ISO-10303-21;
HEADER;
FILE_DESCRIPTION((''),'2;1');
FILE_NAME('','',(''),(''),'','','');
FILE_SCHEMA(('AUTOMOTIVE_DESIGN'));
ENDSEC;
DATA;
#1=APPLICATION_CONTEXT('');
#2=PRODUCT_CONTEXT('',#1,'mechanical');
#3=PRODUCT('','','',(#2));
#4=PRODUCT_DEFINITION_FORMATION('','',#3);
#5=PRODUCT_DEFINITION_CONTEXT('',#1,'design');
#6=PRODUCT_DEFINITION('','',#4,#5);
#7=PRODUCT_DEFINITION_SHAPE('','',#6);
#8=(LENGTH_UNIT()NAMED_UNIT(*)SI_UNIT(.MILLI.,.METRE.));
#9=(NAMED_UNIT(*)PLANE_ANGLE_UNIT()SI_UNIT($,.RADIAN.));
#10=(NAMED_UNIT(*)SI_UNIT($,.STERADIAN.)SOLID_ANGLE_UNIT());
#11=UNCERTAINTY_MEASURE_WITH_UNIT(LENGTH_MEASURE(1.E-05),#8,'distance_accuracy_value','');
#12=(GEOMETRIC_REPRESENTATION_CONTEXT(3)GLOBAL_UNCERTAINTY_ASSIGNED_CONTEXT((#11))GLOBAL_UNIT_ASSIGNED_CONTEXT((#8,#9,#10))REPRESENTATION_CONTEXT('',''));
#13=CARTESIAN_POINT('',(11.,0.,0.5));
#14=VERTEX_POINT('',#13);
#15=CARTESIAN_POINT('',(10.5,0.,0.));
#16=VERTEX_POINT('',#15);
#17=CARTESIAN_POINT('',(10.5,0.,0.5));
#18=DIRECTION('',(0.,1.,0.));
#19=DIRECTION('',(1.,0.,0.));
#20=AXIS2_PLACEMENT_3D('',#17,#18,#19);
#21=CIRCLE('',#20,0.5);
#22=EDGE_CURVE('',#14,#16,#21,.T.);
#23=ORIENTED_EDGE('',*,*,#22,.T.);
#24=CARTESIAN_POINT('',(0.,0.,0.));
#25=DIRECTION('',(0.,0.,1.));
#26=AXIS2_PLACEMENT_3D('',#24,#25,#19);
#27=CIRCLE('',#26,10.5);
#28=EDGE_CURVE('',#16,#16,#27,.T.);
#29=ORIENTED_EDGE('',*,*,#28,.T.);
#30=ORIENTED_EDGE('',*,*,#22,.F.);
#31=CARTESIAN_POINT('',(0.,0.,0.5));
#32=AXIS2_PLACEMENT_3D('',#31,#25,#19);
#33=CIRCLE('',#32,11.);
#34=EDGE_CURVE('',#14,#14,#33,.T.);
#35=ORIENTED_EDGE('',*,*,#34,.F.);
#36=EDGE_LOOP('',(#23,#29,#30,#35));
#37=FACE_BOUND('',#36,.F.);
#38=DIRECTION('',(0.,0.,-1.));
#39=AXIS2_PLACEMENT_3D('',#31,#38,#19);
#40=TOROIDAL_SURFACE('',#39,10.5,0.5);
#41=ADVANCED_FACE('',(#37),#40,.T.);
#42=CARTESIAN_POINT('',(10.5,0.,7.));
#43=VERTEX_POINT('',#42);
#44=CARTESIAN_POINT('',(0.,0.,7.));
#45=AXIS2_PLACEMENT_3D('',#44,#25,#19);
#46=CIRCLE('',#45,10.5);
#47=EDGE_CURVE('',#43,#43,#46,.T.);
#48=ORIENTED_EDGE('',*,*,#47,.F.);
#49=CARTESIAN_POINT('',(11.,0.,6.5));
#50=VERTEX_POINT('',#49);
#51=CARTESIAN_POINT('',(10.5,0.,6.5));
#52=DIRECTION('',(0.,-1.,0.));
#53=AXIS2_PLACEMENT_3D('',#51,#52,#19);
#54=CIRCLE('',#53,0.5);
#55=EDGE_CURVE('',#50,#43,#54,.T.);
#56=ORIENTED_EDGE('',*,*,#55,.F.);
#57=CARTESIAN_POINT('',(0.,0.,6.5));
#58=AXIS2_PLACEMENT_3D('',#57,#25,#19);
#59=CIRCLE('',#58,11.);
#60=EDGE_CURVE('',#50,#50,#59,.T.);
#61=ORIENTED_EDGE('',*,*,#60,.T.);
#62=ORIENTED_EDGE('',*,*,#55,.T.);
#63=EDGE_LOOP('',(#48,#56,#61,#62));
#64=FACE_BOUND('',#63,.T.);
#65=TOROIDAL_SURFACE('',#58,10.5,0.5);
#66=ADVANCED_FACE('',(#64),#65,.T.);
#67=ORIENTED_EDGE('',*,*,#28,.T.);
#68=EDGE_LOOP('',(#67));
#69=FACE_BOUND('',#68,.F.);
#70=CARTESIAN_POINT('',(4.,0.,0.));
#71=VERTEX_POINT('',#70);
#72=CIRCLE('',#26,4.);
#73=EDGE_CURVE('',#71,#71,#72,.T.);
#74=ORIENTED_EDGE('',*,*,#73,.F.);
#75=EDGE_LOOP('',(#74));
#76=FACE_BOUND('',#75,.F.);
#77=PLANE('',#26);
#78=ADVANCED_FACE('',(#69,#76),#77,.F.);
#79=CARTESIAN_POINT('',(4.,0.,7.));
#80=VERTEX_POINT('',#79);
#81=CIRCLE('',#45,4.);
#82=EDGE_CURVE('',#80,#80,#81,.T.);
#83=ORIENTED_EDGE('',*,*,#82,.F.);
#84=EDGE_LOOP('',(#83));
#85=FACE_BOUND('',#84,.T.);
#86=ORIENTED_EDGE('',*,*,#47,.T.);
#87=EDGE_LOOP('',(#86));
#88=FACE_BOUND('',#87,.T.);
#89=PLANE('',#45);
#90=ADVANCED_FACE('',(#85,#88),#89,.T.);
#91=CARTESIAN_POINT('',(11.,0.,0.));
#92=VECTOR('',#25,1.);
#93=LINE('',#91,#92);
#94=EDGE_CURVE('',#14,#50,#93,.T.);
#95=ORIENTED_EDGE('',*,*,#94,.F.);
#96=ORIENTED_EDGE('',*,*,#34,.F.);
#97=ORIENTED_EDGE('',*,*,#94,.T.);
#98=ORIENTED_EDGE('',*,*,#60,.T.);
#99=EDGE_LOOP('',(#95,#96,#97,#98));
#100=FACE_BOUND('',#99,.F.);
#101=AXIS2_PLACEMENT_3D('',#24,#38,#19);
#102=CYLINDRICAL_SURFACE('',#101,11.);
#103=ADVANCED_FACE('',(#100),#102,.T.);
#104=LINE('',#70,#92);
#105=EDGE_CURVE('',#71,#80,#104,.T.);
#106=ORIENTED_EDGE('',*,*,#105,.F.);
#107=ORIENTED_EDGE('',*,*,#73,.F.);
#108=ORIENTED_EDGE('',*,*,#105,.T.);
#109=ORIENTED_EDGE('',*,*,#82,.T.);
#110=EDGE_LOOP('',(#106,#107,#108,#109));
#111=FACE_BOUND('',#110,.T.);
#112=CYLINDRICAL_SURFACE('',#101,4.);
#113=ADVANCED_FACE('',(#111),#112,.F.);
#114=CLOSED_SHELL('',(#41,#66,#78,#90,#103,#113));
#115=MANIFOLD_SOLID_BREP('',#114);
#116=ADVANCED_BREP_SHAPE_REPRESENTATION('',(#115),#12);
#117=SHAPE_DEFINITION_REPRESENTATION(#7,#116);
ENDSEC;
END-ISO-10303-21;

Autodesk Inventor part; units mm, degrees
ref_plane "YZ Plane" through (0, 0, 0) normal (1, 0, 0) x (0, 1, 0)
ref_plane "XZ Plane" through (0, 0, 0) normal (0, 1, 0) x (-1, 0, 0)
ref_plane "XY Plane" through (0, 0, 0) normal (0, 0, 1) x (1, 0, 0)
sketch "Sketch1" plane through (0, 0, 0) normal (0, 0, 1) x (1, 0, 0)
  circle A0 centre (0, 0) radius 4
  circle A1 centre (0, 0) radius 11
  dimension "d0" = 8
  dimension "d1" = 22
extrude "Extrusion1" add sketch "Sketch1" along normal blind 7
fillet "Fillet1" radius 0.5 2 edges at (-11, 0, 7) (-11, 0, 0)
properties part number "Bearing" material "Stainless Steel"
